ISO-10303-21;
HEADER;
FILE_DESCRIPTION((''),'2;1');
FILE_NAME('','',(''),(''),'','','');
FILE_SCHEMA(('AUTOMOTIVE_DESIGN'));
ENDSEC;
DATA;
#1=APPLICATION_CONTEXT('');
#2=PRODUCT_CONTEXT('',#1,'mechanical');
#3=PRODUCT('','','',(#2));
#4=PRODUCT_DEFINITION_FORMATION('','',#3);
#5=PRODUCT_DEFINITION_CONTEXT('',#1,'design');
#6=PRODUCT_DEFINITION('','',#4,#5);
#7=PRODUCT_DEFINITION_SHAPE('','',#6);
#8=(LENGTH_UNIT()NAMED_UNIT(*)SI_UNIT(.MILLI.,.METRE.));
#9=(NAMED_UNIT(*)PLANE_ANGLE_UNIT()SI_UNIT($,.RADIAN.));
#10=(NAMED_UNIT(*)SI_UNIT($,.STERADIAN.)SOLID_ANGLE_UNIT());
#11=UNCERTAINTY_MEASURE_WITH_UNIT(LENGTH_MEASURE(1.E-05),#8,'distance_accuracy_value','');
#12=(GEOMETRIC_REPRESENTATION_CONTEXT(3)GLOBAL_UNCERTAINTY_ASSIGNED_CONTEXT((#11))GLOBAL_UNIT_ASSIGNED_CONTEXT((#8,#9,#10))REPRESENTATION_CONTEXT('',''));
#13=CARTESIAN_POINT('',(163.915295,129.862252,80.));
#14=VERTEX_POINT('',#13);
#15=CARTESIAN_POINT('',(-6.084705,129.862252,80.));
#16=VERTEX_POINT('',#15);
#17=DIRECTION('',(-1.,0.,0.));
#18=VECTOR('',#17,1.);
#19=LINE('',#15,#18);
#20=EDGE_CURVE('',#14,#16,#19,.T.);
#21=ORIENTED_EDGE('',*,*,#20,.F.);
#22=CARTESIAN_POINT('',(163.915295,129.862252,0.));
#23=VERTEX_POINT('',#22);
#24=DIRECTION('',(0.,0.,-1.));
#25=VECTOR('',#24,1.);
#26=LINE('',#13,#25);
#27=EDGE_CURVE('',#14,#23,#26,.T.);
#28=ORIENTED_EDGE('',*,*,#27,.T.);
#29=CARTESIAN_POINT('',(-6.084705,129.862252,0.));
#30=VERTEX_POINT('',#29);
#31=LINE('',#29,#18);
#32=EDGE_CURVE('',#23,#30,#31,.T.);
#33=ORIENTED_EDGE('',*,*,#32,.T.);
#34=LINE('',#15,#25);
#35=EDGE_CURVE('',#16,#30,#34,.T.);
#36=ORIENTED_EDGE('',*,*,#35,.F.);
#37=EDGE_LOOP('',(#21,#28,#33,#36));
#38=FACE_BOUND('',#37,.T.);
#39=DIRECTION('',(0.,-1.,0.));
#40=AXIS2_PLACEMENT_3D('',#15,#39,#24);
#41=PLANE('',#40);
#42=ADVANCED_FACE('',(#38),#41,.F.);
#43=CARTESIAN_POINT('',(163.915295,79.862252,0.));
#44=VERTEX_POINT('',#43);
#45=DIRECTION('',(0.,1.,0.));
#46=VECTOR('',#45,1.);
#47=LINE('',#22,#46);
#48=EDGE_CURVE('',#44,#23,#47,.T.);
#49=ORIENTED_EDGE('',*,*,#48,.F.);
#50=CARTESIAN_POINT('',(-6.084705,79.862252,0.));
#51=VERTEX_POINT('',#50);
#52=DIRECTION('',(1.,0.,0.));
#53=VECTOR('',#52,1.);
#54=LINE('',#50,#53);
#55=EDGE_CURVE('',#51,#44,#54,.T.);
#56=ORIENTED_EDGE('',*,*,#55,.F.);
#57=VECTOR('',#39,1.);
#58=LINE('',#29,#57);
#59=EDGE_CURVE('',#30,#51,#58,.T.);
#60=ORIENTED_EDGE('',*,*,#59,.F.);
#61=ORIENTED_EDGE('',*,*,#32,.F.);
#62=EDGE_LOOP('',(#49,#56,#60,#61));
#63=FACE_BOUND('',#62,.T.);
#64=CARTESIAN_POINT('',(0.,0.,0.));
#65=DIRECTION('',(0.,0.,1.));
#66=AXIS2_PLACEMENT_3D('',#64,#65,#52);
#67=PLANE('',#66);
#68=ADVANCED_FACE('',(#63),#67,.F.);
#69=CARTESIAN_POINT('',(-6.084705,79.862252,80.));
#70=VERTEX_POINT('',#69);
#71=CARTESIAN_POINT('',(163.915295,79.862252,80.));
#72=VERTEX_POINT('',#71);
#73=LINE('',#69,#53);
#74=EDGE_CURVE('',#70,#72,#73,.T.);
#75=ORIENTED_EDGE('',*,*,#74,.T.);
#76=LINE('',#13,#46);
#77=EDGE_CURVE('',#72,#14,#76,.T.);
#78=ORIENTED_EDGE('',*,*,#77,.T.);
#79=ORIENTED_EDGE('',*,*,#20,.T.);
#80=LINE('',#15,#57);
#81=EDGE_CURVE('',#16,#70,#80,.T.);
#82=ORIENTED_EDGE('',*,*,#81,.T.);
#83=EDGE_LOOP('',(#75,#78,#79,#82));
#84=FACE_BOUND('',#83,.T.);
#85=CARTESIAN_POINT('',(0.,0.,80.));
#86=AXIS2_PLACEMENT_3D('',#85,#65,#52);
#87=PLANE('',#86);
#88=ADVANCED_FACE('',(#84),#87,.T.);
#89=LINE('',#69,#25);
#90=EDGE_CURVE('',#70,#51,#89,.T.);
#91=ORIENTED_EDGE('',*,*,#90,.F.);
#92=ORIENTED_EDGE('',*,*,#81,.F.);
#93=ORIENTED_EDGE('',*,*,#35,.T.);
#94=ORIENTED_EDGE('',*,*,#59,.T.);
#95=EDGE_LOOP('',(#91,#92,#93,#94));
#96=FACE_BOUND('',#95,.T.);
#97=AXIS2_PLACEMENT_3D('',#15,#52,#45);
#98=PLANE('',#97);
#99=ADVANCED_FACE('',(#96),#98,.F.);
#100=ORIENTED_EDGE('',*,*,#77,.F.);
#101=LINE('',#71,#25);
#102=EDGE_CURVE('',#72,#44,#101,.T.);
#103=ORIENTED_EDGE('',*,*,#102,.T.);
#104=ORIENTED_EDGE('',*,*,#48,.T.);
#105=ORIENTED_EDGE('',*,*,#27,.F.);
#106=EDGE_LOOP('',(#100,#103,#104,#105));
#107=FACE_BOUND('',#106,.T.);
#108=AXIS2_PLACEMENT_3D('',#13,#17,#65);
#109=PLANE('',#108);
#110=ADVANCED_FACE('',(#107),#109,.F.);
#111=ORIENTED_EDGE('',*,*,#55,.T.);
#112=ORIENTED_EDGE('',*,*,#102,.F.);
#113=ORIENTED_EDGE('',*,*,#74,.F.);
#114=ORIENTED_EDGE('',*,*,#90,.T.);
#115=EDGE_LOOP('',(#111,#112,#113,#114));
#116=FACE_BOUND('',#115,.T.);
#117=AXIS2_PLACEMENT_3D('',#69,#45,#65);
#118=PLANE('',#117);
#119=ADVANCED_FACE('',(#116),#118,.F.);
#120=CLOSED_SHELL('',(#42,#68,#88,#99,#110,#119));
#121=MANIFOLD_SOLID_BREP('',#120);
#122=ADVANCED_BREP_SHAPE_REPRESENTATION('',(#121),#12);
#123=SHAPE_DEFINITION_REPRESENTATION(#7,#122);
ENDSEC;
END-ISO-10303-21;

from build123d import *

# Parameters (mm, degrees)
SKETCH1_W     = 170
SKETCH1_H     = 50
BATTERY_DEPTH = 80


with BuildPart() as part:
    # Sketch1 → battery (new body)
    with BuildSketch(Plane.XY):
        with Locations((78.915295467, 104.862251837)):
            Rectangle(SKETCH1_W, SKETCH1_H)
    extrude(amount=BATTERY_DEPTH)


solid = part.part
